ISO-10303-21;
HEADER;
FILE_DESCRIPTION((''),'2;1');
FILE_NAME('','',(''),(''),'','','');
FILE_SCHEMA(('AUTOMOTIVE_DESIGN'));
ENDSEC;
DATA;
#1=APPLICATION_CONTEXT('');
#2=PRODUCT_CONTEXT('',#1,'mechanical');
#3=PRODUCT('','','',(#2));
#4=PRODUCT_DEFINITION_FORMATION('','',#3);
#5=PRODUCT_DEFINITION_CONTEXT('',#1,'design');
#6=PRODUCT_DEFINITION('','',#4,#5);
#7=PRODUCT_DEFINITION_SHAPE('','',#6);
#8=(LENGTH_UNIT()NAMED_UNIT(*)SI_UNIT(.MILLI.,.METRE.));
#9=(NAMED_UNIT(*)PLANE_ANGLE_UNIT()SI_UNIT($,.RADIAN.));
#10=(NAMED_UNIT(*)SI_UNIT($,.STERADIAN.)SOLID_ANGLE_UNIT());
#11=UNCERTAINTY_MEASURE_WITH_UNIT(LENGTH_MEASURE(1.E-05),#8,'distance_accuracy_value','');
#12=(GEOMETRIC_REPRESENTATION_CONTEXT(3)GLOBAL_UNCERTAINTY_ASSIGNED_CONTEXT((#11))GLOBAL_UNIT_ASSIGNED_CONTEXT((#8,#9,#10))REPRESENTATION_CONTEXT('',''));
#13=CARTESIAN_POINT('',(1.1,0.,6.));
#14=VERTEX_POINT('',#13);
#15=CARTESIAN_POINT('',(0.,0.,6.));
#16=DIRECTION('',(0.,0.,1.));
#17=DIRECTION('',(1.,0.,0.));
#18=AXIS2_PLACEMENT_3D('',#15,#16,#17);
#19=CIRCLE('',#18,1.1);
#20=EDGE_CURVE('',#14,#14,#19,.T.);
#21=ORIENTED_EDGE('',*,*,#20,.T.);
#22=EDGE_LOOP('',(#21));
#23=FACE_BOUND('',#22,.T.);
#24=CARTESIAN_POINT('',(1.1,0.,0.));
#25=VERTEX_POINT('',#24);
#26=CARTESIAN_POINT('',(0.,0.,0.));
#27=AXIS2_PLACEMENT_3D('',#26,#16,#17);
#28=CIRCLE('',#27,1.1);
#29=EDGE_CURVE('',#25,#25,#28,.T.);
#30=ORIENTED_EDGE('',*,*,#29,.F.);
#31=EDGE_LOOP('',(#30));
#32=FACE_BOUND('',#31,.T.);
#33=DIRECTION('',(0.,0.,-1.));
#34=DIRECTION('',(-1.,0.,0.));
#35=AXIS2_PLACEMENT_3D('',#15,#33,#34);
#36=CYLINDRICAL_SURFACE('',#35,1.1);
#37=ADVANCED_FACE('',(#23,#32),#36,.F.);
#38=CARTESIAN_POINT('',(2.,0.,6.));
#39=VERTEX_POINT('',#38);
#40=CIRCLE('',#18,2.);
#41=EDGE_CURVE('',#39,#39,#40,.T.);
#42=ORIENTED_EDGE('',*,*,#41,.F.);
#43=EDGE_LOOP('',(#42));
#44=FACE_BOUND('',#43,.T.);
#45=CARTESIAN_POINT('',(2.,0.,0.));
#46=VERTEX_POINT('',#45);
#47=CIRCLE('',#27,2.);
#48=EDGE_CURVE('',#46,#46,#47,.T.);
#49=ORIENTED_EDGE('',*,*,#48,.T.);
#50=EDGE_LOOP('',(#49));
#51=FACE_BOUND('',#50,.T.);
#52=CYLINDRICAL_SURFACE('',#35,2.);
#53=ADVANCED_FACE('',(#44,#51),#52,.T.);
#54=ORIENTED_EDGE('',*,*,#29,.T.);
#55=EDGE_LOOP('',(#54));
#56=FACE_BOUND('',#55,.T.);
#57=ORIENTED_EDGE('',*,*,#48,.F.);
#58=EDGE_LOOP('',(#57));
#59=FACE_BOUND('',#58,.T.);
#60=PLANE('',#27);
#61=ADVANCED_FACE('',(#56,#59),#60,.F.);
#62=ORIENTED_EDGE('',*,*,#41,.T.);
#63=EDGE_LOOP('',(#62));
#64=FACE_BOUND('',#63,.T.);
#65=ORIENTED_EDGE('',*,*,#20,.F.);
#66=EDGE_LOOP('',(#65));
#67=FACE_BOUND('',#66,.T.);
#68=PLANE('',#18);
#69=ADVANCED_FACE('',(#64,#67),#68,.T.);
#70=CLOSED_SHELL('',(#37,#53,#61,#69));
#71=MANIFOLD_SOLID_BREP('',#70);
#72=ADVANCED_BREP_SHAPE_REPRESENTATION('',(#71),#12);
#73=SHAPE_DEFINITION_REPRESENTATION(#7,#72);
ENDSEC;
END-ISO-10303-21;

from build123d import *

# Parameters (mm, degrees)
ESQUISSE1_R        = 2
ESQUISSE1_R_2      = 1.1
BOSS_EXTRU_1_DEPTH = 6


with BuildPart() as part:
    # Esquisse1 → Boss.-Extru.1 (new body)
    with BuildSketch(Plane.XY):
        Circle(ESQUISSE1_R)
        Circle(ESQUISSE1_R_2, mode=Mode.SUBTRACT)
    extrude(amount=BOSS_EXTRU_1_DEPTH)


solid = part.part
